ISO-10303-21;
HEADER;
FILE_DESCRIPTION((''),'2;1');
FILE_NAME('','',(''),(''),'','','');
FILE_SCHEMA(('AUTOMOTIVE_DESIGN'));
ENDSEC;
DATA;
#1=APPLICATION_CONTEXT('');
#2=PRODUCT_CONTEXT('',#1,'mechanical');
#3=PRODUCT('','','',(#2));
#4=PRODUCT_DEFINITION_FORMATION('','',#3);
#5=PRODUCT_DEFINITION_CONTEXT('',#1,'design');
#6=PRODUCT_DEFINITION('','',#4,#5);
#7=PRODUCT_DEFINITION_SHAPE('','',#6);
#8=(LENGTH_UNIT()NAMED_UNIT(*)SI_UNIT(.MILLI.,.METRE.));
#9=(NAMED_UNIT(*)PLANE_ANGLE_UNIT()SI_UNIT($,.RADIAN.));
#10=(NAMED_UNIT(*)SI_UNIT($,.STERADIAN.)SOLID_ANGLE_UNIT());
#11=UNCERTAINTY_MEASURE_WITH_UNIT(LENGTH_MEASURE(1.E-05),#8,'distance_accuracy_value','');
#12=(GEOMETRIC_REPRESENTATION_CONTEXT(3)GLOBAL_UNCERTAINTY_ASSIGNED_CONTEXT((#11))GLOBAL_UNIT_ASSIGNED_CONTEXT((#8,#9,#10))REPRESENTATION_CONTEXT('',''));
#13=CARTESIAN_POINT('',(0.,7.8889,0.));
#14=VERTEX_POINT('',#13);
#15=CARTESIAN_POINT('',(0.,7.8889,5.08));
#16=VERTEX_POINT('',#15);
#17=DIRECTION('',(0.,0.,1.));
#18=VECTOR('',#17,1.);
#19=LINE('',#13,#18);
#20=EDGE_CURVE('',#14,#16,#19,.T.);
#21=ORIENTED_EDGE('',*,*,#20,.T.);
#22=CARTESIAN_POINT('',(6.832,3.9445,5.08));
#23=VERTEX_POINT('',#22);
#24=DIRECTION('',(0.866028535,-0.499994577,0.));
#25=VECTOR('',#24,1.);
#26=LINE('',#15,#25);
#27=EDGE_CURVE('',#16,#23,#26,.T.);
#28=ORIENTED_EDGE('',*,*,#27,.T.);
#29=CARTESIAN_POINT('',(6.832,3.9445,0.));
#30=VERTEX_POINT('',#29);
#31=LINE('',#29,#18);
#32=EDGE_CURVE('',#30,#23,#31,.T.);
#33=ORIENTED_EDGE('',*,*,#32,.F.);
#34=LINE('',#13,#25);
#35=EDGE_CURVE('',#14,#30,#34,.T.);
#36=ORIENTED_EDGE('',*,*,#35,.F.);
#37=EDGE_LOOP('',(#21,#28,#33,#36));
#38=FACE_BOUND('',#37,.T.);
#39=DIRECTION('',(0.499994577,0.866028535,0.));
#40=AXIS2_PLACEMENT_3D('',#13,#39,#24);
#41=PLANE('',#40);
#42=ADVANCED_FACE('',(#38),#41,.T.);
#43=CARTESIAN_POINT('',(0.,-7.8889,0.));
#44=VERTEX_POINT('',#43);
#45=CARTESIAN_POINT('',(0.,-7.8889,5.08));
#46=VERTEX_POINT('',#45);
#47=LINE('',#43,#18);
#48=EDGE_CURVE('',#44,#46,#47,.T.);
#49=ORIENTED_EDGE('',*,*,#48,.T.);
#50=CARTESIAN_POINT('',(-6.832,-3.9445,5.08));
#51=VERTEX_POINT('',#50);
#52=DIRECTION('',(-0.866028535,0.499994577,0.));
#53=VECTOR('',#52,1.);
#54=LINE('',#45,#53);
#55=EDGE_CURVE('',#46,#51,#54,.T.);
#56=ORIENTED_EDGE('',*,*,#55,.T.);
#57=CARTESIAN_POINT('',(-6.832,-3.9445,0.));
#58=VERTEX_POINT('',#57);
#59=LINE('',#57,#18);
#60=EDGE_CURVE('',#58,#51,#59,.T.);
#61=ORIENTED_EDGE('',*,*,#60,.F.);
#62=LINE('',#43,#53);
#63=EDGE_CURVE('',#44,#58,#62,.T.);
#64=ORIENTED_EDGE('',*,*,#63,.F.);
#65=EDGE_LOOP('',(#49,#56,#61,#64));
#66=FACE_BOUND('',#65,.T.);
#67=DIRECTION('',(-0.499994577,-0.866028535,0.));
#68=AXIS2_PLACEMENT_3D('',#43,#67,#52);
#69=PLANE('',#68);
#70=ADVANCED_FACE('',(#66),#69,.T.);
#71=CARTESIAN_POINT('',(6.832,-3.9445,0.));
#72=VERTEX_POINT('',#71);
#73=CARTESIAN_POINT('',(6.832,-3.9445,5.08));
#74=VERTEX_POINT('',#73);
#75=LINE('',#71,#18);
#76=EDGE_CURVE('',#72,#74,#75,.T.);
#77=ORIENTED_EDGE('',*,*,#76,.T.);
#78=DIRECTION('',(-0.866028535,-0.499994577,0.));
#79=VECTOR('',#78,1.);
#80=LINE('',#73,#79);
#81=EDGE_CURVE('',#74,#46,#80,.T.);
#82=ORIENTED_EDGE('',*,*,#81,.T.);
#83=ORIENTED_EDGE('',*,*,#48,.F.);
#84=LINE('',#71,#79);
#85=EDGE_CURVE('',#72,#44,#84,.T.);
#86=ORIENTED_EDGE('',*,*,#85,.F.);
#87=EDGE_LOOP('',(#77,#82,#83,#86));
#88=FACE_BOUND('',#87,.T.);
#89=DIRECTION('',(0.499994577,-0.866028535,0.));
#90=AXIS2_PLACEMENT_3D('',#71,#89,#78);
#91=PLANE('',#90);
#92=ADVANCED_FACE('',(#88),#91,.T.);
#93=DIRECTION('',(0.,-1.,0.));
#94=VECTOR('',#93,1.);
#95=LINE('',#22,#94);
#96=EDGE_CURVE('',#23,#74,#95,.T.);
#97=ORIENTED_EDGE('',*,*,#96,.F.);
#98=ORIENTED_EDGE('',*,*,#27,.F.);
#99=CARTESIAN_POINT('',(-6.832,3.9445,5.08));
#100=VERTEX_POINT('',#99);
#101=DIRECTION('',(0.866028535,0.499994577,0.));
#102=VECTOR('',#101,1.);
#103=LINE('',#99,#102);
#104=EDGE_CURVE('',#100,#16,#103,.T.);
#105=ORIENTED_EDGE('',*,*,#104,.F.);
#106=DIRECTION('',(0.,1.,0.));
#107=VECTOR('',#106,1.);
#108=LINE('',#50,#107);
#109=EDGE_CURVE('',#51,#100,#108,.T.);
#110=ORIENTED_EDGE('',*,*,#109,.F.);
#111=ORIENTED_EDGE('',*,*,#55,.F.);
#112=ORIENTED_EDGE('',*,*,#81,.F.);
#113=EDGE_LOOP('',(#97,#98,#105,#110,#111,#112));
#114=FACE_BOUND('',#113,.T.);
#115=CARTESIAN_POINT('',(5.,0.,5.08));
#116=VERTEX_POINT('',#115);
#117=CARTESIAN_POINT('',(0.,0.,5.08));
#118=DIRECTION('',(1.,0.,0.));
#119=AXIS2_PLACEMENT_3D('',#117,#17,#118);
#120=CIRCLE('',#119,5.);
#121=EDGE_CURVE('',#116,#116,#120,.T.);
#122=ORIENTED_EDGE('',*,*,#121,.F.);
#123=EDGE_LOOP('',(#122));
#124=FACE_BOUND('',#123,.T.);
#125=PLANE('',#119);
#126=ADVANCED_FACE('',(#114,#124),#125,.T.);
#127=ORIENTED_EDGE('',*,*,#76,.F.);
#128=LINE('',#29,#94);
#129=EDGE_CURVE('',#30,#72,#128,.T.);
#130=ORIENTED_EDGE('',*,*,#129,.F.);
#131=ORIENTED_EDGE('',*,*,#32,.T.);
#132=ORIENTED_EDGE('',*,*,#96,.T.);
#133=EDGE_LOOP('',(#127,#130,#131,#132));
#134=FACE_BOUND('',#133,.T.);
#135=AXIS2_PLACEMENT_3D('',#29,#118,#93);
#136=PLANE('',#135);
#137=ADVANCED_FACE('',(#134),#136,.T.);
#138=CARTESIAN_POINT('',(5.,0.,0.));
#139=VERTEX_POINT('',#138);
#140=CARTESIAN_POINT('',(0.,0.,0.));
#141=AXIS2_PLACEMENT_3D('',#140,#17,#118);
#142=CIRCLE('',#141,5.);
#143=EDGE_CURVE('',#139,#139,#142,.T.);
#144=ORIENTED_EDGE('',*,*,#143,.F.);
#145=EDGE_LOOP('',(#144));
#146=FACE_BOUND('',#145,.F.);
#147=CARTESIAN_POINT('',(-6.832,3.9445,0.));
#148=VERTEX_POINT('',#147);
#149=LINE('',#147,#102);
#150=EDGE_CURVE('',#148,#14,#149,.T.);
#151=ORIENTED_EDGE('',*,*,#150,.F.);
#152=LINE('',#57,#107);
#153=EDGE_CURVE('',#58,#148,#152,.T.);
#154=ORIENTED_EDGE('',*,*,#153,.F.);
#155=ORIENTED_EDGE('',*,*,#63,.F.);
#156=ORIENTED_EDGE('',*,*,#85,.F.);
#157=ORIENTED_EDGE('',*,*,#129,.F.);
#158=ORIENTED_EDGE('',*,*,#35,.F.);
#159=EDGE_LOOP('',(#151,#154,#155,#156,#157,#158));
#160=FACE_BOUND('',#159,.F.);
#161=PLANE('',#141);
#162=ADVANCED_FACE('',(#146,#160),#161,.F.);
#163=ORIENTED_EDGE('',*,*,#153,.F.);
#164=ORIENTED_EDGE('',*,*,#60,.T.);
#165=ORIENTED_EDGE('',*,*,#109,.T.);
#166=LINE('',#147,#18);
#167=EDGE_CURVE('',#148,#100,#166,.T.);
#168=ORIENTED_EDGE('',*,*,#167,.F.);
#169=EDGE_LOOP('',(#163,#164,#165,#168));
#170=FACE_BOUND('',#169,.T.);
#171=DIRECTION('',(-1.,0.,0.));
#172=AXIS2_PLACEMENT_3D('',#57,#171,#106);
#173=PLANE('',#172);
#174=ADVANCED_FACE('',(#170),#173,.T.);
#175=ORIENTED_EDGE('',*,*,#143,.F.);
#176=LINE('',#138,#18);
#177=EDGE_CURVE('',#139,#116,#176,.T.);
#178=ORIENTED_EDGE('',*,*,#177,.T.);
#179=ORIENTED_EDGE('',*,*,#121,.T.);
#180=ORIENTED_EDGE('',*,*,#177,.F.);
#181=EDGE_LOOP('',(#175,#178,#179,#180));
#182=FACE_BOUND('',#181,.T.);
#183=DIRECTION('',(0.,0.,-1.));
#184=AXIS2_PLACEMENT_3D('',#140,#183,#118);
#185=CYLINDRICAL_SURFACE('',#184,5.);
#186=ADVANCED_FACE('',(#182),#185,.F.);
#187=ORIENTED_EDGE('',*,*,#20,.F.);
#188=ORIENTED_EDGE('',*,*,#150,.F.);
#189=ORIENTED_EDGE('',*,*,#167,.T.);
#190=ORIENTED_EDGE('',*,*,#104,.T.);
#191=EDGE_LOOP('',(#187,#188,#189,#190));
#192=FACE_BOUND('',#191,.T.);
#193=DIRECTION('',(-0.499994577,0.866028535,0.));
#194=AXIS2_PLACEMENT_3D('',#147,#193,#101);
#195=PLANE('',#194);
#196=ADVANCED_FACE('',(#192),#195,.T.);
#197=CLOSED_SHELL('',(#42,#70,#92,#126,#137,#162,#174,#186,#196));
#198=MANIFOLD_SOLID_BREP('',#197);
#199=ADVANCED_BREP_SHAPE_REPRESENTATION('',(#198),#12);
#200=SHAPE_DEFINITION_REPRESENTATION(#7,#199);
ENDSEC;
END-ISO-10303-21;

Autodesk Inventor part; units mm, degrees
ref_plane "YZ Plane" through (0, 0, 0) normal (1, 0, 0) x (0, 1, 0)
ref_plane "XZ Plane" through (0, 0, 0) normal (0, 1, 0) x (-1, 0, 0)
ref_plane "XY Plane" through (0, 0, 0) normal (0, 0, 1) x (1, 0, 0)
sketch "Sketch1" plane through (0, 0, 0) normal (0, 0, 1) x (1, 0, 0)
  circle A0 centre (0, 0) radius 5
  line L0 (0, 7.8889) -> (6.832, 3.9445)
  line L1 (6.832, 3.9445) -> (6.832, -3.9445)
  line L2 (6.832, -3.9445) -> (0, -7.8889)
  line L3 (0, -7.8889) -> (-6.832, -3.9445)
  line L4 (-6.832, -3.9445) -> (-6.832, 3.9445)
  line L5 (-6.832, 3.9445) -> (0, 7.8889)
  dimension "d0" = 10
extrude "Extrusion1" add sketch "Sketch1" along normal blind 5.08
thread "Thread1" size "7/16-14 UNC" class "2B" standard "ANSI Unified Screw Threads" full length
properties part number "Nut"
